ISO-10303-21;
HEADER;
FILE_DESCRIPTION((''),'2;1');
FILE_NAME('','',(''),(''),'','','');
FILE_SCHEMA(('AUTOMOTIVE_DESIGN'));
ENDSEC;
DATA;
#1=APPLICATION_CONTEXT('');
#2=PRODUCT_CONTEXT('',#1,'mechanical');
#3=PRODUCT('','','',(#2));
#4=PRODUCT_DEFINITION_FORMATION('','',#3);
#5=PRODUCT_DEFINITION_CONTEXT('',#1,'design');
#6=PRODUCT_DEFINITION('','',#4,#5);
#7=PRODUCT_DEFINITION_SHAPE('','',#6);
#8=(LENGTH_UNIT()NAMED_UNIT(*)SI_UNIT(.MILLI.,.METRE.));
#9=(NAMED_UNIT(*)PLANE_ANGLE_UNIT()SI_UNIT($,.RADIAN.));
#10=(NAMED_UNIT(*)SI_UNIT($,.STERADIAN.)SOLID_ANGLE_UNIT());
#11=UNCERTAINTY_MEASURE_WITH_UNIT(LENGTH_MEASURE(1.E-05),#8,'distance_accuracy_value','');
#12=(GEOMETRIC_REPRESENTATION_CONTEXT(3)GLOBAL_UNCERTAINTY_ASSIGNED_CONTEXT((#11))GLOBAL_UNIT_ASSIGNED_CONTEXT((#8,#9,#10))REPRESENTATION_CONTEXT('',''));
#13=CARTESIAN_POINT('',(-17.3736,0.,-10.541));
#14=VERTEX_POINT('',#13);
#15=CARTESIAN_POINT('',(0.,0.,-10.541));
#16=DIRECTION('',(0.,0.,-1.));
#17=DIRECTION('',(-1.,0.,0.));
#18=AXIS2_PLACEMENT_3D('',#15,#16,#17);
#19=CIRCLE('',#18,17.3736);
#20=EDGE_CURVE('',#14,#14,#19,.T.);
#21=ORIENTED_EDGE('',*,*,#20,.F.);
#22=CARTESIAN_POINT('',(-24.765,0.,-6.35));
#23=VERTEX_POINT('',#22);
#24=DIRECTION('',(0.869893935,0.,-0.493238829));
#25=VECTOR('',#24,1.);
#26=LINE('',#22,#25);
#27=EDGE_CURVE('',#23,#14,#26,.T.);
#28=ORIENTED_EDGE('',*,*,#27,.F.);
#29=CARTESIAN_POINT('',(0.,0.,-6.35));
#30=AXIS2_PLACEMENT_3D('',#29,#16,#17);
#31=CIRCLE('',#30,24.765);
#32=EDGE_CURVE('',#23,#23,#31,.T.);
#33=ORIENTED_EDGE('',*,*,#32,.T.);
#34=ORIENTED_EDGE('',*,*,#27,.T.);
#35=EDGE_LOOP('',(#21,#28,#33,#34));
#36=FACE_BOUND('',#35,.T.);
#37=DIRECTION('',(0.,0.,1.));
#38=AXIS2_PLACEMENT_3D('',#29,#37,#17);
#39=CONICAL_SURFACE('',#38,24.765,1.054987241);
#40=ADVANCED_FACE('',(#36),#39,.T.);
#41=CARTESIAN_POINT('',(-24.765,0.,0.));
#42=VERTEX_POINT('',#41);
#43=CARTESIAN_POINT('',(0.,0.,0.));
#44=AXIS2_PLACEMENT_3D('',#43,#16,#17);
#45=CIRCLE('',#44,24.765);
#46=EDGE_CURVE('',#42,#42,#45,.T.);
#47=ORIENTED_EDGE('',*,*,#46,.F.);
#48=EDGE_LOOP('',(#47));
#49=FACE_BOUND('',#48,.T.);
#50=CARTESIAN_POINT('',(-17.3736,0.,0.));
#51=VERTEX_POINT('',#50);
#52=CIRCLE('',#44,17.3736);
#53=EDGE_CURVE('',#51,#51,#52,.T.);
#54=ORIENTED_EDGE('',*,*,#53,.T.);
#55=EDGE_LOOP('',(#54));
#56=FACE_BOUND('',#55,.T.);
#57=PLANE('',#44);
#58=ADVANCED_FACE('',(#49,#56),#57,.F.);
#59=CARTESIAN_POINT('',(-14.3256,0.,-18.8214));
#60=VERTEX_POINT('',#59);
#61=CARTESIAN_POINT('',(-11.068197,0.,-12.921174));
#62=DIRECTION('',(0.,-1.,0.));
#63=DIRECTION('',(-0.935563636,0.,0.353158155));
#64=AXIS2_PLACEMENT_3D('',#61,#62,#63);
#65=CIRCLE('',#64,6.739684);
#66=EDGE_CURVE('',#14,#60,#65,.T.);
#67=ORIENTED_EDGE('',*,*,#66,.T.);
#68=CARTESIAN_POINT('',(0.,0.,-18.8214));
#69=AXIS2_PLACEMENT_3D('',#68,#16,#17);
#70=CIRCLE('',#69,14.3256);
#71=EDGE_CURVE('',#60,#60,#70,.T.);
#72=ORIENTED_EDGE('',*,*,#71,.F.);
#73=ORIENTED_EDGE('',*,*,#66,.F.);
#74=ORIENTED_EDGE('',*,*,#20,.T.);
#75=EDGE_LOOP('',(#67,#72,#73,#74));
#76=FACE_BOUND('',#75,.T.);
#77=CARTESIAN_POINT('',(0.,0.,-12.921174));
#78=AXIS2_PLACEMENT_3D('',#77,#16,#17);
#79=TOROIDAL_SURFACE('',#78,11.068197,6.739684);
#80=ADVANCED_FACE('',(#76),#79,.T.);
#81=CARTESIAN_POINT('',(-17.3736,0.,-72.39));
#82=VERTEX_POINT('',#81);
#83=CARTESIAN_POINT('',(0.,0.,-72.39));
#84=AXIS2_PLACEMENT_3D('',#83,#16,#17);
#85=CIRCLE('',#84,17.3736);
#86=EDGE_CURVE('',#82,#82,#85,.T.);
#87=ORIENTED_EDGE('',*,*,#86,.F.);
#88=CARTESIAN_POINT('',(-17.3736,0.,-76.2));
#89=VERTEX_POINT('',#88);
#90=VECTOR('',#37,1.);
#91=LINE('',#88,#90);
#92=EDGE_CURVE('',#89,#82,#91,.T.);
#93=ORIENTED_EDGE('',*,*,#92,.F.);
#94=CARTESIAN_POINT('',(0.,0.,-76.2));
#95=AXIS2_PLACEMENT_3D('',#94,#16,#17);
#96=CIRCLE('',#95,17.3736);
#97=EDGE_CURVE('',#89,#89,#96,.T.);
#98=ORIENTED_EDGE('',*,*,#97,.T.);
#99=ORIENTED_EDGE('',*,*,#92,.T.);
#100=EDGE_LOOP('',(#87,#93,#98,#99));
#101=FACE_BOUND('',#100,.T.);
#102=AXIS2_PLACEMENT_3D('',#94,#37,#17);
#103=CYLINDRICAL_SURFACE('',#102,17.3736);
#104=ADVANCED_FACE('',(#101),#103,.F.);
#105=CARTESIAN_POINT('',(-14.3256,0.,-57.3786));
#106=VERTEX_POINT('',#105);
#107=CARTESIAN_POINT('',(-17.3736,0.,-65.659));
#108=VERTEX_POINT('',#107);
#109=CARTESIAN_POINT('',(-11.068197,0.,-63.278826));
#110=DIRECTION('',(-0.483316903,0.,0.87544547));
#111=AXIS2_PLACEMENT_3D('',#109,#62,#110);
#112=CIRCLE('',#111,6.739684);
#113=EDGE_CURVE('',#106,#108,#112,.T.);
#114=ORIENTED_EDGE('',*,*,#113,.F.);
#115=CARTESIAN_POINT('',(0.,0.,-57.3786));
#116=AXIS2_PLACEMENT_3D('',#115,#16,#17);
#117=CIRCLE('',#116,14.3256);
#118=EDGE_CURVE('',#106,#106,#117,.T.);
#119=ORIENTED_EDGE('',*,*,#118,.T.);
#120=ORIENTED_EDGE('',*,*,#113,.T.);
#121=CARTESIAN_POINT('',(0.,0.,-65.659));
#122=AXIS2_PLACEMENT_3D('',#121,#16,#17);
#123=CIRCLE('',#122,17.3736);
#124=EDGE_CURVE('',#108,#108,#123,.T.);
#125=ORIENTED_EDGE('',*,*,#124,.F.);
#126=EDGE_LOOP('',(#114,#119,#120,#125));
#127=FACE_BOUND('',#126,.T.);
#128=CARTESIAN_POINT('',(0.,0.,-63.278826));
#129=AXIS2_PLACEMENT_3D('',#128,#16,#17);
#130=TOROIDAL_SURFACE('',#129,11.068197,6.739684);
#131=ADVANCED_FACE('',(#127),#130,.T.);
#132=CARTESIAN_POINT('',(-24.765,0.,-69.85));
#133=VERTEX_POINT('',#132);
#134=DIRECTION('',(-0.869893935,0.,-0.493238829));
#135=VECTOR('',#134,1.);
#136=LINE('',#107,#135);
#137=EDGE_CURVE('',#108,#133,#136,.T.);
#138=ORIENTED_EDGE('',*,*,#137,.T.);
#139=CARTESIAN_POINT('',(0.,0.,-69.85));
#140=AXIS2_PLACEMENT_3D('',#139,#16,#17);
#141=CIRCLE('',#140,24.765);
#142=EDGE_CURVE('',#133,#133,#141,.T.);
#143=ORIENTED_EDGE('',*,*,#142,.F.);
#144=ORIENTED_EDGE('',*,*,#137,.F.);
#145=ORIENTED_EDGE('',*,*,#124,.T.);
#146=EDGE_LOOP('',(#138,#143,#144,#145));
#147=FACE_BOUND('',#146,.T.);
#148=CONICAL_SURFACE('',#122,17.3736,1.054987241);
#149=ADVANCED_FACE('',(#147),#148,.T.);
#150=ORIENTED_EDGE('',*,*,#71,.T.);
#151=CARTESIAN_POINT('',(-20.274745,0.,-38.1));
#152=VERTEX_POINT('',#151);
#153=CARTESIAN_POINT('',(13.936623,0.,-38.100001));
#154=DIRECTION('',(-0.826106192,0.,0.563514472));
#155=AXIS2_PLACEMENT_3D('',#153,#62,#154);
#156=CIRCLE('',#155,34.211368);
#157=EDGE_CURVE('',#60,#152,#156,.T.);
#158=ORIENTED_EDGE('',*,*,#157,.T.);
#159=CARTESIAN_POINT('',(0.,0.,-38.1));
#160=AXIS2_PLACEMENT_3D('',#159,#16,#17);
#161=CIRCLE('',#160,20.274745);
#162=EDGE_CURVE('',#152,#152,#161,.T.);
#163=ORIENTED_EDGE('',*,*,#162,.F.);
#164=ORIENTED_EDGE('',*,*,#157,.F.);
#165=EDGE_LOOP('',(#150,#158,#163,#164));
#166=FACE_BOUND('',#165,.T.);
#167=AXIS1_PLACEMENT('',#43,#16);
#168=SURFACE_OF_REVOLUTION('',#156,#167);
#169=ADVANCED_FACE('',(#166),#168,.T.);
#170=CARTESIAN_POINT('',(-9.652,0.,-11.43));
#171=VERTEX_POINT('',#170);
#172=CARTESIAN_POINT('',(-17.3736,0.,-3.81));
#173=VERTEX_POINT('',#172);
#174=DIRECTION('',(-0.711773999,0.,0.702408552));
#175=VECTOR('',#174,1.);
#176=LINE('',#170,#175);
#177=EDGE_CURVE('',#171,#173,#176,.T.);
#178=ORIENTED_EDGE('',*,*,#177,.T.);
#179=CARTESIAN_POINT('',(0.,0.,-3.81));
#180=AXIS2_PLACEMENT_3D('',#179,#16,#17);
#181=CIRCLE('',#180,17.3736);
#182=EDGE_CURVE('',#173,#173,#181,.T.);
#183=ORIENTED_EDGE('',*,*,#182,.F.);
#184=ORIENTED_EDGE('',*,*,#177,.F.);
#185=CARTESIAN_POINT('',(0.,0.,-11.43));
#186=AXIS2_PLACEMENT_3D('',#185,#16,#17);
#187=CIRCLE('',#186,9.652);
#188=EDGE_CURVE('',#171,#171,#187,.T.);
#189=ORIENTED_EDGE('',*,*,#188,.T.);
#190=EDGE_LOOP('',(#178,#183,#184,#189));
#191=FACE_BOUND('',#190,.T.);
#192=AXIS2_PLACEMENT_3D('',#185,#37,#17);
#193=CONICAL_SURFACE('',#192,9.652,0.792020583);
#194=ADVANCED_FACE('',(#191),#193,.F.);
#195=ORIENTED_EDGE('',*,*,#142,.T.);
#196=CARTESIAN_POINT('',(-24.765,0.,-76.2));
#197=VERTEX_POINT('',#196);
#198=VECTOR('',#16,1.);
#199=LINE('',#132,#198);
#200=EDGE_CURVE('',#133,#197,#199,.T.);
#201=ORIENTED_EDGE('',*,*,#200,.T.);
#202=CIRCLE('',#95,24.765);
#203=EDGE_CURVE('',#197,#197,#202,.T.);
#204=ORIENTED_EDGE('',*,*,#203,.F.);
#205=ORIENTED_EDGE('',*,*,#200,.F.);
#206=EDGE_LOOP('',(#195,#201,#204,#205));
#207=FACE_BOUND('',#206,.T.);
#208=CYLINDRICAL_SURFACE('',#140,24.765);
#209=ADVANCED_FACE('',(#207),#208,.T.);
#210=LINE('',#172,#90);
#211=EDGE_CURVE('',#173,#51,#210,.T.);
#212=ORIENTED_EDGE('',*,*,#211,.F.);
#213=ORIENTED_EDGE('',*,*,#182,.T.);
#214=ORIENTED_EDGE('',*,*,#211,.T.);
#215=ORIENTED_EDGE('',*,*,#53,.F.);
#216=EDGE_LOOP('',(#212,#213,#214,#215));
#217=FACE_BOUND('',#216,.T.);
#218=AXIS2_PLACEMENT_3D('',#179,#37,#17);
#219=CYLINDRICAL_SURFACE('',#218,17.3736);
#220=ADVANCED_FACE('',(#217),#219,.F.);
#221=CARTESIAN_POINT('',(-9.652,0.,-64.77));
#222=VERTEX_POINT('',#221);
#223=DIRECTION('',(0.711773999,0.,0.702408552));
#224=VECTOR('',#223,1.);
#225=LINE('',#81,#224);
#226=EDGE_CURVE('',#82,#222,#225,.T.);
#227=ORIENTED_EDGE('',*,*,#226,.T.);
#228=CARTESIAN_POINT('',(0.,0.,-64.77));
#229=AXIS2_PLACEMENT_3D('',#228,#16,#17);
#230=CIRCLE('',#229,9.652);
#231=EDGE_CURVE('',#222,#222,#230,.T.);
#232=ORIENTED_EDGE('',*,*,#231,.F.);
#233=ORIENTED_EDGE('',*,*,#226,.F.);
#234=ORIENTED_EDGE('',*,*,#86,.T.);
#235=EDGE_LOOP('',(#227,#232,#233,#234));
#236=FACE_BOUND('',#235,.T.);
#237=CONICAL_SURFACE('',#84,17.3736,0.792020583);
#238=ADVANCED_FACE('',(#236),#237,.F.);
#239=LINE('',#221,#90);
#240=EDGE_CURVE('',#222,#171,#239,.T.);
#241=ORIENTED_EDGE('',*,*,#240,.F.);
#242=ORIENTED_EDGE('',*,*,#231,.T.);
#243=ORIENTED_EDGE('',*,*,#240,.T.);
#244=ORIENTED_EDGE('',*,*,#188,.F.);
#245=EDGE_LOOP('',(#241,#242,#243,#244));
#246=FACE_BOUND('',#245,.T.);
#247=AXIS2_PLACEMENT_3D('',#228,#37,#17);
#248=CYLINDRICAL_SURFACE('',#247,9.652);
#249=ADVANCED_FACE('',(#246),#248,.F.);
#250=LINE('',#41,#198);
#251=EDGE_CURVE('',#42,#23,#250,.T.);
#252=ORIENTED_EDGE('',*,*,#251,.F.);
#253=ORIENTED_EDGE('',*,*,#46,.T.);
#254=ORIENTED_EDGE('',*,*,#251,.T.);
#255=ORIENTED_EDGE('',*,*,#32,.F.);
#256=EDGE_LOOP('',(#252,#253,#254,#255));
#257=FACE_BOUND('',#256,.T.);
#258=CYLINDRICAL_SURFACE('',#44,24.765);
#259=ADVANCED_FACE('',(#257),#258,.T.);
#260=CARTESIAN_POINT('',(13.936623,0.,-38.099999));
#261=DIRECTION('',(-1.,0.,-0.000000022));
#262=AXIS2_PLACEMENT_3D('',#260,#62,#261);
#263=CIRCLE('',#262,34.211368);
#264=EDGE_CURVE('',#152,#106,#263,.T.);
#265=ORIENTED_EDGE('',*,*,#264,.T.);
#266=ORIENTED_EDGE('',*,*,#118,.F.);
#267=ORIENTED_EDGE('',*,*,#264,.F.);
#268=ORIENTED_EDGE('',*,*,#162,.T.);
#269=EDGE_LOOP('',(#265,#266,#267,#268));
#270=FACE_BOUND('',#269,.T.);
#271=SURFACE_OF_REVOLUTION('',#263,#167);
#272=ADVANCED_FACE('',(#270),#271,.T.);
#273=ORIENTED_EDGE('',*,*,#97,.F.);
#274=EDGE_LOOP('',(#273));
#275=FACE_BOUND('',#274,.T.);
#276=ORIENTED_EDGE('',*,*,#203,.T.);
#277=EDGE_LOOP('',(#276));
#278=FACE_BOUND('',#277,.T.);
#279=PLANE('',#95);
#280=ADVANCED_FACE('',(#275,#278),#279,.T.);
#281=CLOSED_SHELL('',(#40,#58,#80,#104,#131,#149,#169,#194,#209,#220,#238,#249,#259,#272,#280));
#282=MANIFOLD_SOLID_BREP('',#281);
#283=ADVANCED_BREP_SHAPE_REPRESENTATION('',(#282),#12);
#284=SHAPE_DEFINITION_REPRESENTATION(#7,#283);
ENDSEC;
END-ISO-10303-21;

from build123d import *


with BuildPart() as f1:
    # F0 (on Front) → F1 (revolve)
    with BuildSketch(Plane.XZ):
        with BuildLine():
            Line((-17.3736, 0), (-24.765, 0))
            Line((-24.765, 0), (-24.765, -6.35))
            Line((-24.765, -6.35), (-17.3736, -10.541))
            ThreePointArc((-17.3736, -10.541), (-17.392995, -15.249321), (-14.3256, -18.8214))
            ThreePointArc((-14.3256, -18.8214), (-18.753643, -28.012176), (-20.274745, -38.1))
            Line((-20.274745, -38.1), (-9.652, -38.1))
            Line((-9.652, -38.1), (-9.652, -11.43))
            Line((-9.652, -11.43), (-17.3736, -3.81))
            Line((-17.3736, -3.81), (-17.3736, 0))
        make_face()
        with BuildLine():
            Line((-9.652, -38.1), (-20.274745, -38.1))
            ThreePointArc((-20.274745, -38.1), (-18.753643, -48.187824), (-14.3256, -57.3786))
            ThreePointArc((-14.3256, -57.3786), (-17.392995, -60.950679), (-17.3736, -65.659))
            Line((-17.3736, -65.659), (-24.765, -69.85))
            Line((-24.765, -69.85), (-24.765, -76.2))
            Line((-24.765, -76.2), (-17.3736, -76.2))
            Line((-17.3736, -76.2), (-17.3736, -72.39))
            Line((-17.3736, -72.39), (-9.652, -64.77))
            Line((-9.652, -64.77), (-9.652, -38.1))
        make_face()
    revolve(axis=Axis((0, 0, 0), (0, 0, -1)))


solid = f1.part
